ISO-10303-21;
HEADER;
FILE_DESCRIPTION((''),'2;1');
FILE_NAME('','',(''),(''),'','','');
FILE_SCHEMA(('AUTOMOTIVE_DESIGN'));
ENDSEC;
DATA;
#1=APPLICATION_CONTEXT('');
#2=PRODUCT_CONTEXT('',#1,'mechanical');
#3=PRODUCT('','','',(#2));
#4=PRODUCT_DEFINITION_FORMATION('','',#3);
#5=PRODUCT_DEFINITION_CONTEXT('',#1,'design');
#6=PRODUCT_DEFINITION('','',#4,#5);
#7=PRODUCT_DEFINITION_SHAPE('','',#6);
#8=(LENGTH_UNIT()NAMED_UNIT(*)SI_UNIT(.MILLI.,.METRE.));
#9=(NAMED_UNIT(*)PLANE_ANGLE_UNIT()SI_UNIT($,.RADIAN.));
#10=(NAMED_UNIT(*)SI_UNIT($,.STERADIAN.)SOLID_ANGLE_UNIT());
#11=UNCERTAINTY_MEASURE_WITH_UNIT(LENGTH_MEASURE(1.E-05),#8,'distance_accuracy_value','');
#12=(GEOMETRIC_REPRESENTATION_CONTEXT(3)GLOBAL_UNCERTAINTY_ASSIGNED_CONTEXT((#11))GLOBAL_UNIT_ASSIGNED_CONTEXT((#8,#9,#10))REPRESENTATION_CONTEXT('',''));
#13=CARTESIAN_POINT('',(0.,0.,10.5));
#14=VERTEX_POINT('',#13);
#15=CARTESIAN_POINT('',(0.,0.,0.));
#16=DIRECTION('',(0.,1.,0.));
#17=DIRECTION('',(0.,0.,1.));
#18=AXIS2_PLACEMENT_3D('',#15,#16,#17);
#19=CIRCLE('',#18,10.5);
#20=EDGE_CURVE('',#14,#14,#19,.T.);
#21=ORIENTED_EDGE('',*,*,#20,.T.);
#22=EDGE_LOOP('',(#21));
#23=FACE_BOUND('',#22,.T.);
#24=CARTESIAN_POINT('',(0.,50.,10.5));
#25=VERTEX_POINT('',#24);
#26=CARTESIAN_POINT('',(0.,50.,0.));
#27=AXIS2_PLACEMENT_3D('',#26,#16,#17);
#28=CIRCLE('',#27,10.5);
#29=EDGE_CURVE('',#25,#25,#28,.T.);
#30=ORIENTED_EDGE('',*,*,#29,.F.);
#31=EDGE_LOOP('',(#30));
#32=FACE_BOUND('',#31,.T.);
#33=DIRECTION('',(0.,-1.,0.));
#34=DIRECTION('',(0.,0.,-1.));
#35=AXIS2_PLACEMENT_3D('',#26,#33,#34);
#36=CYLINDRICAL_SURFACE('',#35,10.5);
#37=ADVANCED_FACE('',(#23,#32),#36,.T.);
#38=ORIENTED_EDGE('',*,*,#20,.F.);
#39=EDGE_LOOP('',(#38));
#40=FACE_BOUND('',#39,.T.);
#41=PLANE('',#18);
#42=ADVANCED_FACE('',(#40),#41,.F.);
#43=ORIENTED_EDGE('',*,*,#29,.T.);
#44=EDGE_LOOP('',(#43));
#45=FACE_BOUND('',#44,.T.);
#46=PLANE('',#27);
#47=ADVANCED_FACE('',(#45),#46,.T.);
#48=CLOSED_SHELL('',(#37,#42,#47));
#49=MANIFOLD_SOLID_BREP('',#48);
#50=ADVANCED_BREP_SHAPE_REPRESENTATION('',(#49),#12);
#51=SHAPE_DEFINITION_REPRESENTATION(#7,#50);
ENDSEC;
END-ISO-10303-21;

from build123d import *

# Parameters (mm, degrees)
SKETCH1_R           = 10.5
BOSS_EXTRUDE1_DEPTH = 50


with BuildPart() as part:
    # Sketch1 → Boss-Extrude1 (new body)
    with BuildSketch(Plane(origin=(0, 0, 0), x_dir=(1, 0, 0), z_dir=(0, 1, 0))):
        with Locations(Location((0, 0, 0), (0, 0, 270))):
            Circle(SKETCH1_R)
    extrude(amount=BOSS_EXTRUDE1_DEPTH)


solid = part.part
